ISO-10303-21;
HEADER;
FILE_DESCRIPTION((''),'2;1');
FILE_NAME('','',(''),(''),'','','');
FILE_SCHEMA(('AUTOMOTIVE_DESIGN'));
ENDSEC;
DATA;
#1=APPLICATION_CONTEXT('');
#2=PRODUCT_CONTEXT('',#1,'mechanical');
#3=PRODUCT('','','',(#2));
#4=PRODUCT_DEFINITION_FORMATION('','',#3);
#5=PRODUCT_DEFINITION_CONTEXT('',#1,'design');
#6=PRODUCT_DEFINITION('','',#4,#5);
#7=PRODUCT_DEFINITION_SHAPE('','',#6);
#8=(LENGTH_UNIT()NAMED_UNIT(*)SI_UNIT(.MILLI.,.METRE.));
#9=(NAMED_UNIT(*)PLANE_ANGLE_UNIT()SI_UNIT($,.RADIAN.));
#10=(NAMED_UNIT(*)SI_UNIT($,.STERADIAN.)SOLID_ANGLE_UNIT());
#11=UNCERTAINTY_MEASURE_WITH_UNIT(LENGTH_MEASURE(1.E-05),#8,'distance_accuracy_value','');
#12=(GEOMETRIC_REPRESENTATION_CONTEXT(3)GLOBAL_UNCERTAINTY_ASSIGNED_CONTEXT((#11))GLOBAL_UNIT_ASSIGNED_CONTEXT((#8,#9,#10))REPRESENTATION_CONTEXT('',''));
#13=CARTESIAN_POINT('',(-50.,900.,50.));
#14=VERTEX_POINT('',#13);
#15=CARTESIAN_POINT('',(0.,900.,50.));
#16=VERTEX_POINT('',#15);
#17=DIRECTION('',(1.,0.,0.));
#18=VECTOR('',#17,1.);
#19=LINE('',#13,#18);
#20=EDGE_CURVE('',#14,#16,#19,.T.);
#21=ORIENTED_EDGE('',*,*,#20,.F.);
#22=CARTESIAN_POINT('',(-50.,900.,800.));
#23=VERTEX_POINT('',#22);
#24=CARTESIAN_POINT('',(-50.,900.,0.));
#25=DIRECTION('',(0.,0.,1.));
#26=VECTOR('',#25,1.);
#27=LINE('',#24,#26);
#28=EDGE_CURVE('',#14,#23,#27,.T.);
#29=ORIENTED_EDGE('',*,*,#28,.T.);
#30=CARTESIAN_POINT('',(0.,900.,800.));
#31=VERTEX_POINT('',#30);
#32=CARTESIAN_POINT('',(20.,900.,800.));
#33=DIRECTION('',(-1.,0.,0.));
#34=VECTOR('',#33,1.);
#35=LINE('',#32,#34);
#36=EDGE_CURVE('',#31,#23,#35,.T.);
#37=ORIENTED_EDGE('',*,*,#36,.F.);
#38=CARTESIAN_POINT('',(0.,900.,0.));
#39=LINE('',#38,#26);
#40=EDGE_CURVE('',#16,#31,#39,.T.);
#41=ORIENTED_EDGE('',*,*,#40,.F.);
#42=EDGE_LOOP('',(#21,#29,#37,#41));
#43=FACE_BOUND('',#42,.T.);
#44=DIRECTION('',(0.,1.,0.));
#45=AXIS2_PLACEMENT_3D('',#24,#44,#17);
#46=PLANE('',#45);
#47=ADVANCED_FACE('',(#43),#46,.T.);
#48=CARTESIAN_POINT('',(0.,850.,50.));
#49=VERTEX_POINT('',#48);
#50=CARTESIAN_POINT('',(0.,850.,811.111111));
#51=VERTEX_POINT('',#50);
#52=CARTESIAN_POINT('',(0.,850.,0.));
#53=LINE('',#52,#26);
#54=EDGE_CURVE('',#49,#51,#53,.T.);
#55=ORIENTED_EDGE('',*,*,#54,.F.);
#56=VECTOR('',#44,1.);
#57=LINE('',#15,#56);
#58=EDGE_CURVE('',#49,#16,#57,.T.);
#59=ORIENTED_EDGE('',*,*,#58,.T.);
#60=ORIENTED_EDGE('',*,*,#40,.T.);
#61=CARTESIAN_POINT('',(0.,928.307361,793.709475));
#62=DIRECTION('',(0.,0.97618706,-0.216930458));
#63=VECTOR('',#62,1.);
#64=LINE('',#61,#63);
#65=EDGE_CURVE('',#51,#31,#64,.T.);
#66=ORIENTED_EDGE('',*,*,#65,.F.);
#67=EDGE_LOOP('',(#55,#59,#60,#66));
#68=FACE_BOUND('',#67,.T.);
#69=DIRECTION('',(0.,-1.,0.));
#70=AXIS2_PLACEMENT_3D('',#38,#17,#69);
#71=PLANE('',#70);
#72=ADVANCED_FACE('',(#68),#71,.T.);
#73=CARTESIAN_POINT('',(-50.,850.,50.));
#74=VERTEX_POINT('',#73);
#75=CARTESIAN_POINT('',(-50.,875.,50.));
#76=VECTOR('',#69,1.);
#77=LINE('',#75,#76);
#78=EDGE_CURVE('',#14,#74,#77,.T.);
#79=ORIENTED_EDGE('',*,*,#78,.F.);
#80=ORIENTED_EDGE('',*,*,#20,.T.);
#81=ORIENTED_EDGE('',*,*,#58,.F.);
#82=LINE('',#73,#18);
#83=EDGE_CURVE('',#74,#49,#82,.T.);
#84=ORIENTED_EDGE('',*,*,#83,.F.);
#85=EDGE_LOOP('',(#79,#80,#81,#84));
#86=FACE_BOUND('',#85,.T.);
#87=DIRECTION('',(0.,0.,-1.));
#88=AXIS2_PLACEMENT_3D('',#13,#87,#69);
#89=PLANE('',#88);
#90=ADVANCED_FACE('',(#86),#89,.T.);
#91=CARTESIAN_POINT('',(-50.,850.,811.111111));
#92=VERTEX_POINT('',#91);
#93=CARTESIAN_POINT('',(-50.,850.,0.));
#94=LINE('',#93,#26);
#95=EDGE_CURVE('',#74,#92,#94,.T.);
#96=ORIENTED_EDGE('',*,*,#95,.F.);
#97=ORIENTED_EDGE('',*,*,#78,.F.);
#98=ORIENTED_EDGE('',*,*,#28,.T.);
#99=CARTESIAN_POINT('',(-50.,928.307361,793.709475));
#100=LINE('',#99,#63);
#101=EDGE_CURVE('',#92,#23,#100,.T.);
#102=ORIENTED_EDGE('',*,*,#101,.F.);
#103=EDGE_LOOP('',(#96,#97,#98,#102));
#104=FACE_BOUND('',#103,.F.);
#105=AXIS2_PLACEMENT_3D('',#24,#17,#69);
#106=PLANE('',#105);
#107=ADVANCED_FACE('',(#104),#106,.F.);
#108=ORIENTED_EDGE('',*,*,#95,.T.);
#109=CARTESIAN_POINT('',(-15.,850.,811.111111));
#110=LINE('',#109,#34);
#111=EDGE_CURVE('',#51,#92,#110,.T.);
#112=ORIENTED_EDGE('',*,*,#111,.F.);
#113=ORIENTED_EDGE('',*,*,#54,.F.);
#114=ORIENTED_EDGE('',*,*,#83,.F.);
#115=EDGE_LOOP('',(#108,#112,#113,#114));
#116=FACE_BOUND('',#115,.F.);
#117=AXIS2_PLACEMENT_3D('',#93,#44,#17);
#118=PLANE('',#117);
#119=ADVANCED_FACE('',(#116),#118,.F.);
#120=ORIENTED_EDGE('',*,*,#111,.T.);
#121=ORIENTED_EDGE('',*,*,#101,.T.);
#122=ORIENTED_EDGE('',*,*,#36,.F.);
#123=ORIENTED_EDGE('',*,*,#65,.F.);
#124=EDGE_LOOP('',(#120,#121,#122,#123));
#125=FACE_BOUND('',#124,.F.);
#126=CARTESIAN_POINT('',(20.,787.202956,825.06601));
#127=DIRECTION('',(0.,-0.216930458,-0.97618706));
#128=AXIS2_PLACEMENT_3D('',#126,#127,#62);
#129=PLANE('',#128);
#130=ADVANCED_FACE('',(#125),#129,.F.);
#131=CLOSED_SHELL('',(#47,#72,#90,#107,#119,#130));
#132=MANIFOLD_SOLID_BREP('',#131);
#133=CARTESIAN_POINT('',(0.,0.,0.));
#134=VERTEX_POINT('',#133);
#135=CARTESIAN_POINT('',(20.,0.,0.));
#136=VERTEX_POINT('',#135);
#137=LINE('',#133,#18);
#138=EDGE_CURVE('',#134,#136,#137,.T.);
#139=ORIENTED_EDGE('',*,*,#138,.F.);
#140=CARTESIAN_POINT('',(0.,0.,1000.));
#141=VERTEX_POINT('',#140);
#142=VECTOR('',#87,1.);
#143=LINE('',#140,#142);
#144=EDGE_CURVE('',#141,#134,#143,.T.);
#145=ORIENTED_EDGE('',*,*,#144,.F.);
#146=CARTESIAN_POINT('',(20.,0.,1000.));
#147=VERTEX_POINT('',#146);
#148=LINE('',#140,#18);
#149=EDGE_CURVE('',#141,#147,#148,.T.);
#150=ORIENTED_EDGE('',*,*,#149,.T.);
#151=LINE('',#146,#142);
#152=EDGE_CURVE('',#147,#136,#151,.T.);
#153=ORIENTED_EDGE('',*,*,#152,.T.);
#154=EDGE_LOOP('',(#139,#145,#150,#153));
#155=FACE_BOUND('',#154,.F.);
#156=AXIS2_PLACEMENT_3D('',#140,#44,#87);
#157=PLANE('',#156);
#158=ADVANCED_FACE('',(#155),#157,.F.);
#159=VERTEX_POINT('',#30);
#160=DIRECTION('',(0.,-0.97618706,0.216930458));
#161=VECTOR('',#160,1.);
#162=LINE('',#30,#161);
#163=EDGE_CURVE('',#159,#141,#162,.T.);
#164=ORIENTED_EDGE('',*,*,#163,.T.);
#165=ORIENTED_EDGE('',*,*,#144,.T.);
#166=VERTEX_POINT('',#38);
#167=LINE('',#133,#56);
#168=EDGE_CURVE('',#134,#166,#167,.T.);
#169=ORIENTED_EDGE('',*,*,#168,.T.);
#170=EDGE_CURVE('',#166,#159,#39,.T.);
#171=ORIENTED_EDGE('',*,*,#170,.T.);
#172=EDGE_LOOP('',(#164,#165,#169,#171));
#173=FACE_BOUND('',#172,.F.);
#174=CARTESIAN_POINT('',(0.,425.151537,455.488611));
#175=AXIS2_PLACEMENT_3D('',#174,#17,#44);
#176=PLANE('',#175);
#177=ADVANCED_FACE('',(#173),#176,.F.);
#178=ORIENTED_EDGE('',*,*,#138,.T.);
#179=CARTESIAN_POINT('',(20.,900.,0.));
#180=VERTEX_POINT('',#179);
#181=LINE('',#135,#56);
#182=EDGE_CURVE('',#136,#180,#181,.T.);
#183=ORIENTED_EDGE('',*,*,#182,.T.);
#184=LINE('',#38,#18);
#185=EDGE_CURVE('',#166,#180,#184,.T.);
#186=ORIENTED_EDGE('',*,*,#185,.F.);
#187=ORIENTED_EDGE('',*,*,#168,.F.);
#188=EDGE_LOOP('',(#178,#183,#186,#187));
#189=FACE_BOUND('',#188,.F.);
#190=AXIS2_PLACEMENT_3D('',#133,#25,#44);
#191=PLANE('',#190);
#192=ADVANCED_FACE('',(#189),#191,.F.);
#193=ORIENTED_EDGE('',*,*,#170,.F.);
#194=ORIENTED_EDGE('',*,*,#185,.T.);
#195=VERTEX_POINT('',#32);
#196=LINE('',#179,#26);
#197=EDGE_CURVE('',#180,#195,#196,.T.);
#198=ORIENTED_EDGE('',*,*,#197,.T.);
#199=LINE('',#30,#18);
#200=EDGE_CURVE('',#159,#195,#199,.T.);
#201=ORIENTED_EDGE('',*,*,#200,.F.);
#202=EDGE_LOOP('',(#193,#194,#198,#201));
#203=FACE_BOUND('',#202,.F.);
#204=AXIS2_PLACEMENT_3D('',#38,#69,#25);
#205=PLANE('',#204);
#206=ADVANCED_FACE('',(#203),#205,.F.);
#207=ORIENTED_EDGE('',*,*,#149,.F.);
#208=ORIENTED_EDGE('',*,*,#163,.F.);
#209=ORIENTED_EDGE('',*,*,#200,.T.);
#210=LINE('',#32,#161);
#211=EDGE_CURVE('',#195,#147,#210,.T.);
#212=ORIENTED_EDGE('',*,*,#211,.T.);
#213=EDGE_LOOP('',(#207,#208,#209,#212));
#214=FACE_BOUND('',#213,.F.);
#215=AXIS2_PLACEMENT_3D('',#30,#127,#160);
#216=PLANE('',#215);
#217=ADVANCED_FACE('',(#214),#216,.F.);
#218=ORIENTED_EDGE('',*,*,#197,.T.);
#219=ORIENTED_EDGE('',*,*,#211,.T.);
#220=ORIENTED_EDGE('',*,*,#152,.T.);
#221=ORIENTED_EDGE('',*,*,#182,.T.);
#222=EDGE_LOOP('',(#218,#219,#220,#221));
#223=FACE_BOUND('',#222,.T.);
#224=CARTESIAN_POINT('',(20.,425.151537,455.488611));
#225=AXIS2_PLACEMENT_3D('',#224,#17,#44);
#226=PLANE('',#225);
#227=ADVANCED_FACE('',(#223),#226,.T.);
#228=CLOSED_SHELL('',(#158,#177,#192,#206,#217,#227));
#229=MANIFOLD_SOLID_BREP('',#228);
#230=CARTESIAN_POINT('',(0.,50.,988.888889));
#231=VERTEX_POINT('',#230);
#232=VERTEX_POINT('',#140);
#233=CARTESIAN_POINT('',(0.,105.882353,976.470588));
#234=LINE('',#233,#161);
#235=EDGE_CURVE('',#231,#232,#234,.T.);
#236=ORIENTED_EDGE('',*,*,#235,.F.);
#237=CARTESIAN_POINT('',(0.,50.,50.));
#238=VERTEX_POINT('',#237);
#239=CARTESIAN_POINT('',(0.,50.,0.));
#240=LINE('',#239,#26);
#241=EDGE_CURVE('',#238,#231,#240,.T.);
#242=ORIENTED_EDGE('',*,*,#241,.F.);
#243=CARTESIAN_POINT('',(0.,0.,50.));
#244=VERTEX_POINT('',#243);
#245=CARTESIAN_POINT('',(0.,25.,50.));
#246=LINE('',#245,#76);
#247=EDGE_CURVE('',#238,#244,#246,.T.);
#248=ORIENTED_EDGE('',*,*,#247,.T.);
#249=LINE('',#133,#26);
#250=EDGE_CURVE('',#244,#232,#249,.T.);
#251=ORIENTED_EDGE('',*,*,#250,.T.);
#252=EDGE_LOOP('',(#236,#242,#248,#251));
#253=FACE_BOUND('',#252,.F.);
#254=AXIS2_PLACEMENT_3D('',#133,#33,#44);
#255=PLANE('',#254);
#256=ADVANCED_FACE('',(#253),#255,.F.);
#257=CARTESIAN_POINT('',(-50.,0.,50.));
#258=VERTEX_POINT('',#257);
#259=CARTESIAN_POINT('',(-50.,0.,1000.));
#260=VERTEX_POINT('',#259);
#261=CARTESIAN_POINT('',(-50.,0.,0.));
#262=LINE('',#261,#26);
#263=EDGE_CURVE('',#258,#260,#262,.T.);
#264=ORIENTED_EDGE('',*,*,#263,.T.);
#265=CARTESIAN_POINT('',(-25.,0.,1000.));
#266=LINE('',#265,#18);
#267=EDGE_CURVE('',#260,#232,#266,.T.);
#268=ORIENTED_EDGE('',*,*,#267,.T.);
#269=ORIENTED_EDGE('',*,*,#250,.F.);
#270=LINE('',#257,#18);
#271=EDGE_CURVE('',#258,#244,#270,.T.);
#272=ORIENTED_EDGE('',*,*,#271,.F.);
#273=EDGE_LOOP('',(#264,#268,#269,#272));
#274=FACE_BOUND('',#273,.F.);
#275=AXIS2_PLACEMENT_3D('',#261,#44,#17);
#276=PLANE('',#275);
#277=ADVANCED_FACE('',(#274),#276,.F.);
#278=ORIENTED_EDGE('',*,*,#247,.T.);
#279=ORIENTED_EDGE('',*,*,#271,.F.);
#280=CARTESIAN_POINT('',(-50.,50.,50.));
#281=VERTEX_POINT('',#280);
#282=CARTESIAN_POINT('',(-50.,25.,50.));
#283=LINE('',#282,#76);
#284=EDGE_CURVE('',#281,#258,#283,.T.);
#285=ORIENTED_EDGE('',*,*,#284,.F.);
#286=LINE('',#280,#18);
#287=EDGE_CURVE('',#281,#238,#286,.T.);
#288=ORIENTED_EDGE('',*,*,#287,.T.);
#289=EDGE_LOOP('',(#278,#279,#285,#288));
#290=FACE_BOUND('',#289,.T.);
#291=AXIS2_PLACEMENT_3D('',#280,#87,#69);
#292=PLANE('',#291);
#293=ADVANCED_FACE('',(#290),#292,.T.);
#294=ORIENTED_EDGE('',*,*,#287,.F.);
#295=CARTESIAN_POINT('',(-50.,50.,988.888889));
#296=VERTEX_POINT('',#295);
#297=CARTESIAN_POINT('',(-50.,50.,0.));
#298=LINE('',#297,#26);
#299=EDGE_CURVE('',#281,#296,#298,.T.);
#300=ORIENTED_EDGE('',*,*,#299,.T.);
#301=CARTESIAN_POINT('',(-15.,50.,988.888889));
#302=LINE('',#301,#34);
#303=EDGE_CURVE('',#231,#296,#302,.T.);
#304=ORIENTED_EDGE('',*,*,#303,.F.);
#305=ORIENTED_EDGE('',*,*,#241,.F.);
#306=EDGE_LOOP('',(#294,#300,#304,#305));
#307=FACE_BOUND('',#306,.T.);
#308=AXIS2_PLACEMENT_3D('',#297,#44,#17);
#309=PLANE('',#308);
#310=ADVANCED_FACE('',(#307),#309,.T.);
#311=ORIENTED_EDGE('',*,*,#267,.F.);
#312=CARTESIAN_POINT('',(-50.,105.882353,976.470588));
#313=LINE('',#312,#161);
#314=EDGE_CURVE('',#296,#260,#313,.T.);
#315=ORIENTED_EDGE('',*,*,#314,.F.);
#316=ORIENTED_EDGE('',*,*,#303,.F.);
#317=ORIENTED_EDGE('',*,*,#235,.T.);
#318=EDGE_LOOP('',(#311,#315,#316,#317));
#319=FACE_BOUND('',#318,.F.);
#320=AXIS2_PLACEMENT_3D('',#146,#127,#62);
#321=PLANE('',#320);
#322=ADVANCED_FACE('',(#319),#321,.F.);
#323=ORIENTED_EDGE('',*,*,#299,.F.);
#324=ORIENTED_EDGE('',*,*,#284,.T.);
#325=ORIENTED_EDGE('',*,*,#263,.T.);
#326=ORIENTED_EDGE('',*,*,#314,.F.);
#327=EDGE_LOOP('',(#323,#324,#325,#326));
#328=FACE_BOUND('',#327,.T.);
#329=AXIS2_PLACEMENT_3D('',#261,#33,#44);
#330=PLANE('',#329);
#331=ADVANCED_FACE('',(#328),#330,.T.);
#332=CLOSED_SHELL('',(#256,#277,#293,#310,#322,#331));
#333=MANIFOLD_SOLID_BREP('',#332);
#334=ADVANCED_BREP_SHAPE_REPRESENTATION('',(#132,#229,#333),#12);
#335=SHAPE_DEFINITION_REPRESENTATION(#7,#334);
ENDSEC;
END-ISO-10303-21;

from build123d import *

# Parameters (mm, degrees)
F1_DEPTH  = 20
F2_W      = 50
F2_H      = 50
F3_DEPTH  = 1000
F5_DEPTH  = 153
F6_W      = 50
F6_H      = 50
F7_DEPTH  = 112
F8_W      = 50
F8_H      = 50
F9_DEPTH  = 850
F11_DEPTH = 169
F12_W     = 50
F12_H     = 50
F13_DEPTH = 94


with BuildPart() as f1:
    # F0 (on Right) → F1 (new body)
    with BuildSketch(Plane.YZ):
        Polygon((0, 1000), (0, 0), (900, 0), (900, 800), align=None)
    extrude(amount=F1_DEPTH)


with BuildPart() as f3:
    # F2 (on Top) → F3 (new body)
    with BuildSketch(Plane.XY):
        with Locations((-25, 25)):
            Rectangle(F2_W, F2_H)
    extrude(amount=F3_DEPTH)

    # F4 (on face) → F5 (cut)
    with BuildSketch(Plane.YZ.offset(20)):
        Polygon((0, 1058.948), (0, 1000), (140.4614215388, 968.7863507692), (140.4614215388, 1058.948), align=None)
    extrude(amount=-F5_DEPTH, mode=Mode.SUBTRACT)

    # F6 (on face) → F7 (cut)
    with BuildSketch(Plane(origin=(-50, 0, 0), x_dir=(0, -1, 0), z_dir=(-1, 0, 0))):
        with Locations((-25, 25)):
            Rectangle(F6_W, F6_H)
    extrude(amount=-F7_DEPTH, mode=Mode.SUBTRACT)


with BuildPart() as f9:
    # F8 (on face) → F9 (new body)
    with BuildSketch(Plane(origin=(0, 0, 0), x_dir=(1, 0, 0), z_dir=(0, 0, -1))):
        with Locations((-25, -875)):
            Rectangle(F8_W, F8_H)
    extrude(amount=-F9_DEPTH)

    # F10 (on face) → F11 (cut)
    with BuildSketch(Plane.YZ.offset(20)):
        Polygon((787.202956396, 899.949669838), (787.202956396, 825.0660096898), (900, 800), (900, 899.949669838), align=None)
    extrude(amount=-F11_DEPTH, mode=Mode.SUBTRACT)

    # F12 (on face) → F13 (cut)
    with BuildSketch(Plane(origin=(-50, 0, 0), x_dir=(0, -1, 0), z_dir=(-1, 0, 0))):
        with Locations((-875, 25)):
            Rectangle(F12_W, F12_H)
    extrude(amount=-F13_DEPTH, mode=Mode.SUBTRACT)


solid = Compound([f1.part, f3.part, f9.part])
